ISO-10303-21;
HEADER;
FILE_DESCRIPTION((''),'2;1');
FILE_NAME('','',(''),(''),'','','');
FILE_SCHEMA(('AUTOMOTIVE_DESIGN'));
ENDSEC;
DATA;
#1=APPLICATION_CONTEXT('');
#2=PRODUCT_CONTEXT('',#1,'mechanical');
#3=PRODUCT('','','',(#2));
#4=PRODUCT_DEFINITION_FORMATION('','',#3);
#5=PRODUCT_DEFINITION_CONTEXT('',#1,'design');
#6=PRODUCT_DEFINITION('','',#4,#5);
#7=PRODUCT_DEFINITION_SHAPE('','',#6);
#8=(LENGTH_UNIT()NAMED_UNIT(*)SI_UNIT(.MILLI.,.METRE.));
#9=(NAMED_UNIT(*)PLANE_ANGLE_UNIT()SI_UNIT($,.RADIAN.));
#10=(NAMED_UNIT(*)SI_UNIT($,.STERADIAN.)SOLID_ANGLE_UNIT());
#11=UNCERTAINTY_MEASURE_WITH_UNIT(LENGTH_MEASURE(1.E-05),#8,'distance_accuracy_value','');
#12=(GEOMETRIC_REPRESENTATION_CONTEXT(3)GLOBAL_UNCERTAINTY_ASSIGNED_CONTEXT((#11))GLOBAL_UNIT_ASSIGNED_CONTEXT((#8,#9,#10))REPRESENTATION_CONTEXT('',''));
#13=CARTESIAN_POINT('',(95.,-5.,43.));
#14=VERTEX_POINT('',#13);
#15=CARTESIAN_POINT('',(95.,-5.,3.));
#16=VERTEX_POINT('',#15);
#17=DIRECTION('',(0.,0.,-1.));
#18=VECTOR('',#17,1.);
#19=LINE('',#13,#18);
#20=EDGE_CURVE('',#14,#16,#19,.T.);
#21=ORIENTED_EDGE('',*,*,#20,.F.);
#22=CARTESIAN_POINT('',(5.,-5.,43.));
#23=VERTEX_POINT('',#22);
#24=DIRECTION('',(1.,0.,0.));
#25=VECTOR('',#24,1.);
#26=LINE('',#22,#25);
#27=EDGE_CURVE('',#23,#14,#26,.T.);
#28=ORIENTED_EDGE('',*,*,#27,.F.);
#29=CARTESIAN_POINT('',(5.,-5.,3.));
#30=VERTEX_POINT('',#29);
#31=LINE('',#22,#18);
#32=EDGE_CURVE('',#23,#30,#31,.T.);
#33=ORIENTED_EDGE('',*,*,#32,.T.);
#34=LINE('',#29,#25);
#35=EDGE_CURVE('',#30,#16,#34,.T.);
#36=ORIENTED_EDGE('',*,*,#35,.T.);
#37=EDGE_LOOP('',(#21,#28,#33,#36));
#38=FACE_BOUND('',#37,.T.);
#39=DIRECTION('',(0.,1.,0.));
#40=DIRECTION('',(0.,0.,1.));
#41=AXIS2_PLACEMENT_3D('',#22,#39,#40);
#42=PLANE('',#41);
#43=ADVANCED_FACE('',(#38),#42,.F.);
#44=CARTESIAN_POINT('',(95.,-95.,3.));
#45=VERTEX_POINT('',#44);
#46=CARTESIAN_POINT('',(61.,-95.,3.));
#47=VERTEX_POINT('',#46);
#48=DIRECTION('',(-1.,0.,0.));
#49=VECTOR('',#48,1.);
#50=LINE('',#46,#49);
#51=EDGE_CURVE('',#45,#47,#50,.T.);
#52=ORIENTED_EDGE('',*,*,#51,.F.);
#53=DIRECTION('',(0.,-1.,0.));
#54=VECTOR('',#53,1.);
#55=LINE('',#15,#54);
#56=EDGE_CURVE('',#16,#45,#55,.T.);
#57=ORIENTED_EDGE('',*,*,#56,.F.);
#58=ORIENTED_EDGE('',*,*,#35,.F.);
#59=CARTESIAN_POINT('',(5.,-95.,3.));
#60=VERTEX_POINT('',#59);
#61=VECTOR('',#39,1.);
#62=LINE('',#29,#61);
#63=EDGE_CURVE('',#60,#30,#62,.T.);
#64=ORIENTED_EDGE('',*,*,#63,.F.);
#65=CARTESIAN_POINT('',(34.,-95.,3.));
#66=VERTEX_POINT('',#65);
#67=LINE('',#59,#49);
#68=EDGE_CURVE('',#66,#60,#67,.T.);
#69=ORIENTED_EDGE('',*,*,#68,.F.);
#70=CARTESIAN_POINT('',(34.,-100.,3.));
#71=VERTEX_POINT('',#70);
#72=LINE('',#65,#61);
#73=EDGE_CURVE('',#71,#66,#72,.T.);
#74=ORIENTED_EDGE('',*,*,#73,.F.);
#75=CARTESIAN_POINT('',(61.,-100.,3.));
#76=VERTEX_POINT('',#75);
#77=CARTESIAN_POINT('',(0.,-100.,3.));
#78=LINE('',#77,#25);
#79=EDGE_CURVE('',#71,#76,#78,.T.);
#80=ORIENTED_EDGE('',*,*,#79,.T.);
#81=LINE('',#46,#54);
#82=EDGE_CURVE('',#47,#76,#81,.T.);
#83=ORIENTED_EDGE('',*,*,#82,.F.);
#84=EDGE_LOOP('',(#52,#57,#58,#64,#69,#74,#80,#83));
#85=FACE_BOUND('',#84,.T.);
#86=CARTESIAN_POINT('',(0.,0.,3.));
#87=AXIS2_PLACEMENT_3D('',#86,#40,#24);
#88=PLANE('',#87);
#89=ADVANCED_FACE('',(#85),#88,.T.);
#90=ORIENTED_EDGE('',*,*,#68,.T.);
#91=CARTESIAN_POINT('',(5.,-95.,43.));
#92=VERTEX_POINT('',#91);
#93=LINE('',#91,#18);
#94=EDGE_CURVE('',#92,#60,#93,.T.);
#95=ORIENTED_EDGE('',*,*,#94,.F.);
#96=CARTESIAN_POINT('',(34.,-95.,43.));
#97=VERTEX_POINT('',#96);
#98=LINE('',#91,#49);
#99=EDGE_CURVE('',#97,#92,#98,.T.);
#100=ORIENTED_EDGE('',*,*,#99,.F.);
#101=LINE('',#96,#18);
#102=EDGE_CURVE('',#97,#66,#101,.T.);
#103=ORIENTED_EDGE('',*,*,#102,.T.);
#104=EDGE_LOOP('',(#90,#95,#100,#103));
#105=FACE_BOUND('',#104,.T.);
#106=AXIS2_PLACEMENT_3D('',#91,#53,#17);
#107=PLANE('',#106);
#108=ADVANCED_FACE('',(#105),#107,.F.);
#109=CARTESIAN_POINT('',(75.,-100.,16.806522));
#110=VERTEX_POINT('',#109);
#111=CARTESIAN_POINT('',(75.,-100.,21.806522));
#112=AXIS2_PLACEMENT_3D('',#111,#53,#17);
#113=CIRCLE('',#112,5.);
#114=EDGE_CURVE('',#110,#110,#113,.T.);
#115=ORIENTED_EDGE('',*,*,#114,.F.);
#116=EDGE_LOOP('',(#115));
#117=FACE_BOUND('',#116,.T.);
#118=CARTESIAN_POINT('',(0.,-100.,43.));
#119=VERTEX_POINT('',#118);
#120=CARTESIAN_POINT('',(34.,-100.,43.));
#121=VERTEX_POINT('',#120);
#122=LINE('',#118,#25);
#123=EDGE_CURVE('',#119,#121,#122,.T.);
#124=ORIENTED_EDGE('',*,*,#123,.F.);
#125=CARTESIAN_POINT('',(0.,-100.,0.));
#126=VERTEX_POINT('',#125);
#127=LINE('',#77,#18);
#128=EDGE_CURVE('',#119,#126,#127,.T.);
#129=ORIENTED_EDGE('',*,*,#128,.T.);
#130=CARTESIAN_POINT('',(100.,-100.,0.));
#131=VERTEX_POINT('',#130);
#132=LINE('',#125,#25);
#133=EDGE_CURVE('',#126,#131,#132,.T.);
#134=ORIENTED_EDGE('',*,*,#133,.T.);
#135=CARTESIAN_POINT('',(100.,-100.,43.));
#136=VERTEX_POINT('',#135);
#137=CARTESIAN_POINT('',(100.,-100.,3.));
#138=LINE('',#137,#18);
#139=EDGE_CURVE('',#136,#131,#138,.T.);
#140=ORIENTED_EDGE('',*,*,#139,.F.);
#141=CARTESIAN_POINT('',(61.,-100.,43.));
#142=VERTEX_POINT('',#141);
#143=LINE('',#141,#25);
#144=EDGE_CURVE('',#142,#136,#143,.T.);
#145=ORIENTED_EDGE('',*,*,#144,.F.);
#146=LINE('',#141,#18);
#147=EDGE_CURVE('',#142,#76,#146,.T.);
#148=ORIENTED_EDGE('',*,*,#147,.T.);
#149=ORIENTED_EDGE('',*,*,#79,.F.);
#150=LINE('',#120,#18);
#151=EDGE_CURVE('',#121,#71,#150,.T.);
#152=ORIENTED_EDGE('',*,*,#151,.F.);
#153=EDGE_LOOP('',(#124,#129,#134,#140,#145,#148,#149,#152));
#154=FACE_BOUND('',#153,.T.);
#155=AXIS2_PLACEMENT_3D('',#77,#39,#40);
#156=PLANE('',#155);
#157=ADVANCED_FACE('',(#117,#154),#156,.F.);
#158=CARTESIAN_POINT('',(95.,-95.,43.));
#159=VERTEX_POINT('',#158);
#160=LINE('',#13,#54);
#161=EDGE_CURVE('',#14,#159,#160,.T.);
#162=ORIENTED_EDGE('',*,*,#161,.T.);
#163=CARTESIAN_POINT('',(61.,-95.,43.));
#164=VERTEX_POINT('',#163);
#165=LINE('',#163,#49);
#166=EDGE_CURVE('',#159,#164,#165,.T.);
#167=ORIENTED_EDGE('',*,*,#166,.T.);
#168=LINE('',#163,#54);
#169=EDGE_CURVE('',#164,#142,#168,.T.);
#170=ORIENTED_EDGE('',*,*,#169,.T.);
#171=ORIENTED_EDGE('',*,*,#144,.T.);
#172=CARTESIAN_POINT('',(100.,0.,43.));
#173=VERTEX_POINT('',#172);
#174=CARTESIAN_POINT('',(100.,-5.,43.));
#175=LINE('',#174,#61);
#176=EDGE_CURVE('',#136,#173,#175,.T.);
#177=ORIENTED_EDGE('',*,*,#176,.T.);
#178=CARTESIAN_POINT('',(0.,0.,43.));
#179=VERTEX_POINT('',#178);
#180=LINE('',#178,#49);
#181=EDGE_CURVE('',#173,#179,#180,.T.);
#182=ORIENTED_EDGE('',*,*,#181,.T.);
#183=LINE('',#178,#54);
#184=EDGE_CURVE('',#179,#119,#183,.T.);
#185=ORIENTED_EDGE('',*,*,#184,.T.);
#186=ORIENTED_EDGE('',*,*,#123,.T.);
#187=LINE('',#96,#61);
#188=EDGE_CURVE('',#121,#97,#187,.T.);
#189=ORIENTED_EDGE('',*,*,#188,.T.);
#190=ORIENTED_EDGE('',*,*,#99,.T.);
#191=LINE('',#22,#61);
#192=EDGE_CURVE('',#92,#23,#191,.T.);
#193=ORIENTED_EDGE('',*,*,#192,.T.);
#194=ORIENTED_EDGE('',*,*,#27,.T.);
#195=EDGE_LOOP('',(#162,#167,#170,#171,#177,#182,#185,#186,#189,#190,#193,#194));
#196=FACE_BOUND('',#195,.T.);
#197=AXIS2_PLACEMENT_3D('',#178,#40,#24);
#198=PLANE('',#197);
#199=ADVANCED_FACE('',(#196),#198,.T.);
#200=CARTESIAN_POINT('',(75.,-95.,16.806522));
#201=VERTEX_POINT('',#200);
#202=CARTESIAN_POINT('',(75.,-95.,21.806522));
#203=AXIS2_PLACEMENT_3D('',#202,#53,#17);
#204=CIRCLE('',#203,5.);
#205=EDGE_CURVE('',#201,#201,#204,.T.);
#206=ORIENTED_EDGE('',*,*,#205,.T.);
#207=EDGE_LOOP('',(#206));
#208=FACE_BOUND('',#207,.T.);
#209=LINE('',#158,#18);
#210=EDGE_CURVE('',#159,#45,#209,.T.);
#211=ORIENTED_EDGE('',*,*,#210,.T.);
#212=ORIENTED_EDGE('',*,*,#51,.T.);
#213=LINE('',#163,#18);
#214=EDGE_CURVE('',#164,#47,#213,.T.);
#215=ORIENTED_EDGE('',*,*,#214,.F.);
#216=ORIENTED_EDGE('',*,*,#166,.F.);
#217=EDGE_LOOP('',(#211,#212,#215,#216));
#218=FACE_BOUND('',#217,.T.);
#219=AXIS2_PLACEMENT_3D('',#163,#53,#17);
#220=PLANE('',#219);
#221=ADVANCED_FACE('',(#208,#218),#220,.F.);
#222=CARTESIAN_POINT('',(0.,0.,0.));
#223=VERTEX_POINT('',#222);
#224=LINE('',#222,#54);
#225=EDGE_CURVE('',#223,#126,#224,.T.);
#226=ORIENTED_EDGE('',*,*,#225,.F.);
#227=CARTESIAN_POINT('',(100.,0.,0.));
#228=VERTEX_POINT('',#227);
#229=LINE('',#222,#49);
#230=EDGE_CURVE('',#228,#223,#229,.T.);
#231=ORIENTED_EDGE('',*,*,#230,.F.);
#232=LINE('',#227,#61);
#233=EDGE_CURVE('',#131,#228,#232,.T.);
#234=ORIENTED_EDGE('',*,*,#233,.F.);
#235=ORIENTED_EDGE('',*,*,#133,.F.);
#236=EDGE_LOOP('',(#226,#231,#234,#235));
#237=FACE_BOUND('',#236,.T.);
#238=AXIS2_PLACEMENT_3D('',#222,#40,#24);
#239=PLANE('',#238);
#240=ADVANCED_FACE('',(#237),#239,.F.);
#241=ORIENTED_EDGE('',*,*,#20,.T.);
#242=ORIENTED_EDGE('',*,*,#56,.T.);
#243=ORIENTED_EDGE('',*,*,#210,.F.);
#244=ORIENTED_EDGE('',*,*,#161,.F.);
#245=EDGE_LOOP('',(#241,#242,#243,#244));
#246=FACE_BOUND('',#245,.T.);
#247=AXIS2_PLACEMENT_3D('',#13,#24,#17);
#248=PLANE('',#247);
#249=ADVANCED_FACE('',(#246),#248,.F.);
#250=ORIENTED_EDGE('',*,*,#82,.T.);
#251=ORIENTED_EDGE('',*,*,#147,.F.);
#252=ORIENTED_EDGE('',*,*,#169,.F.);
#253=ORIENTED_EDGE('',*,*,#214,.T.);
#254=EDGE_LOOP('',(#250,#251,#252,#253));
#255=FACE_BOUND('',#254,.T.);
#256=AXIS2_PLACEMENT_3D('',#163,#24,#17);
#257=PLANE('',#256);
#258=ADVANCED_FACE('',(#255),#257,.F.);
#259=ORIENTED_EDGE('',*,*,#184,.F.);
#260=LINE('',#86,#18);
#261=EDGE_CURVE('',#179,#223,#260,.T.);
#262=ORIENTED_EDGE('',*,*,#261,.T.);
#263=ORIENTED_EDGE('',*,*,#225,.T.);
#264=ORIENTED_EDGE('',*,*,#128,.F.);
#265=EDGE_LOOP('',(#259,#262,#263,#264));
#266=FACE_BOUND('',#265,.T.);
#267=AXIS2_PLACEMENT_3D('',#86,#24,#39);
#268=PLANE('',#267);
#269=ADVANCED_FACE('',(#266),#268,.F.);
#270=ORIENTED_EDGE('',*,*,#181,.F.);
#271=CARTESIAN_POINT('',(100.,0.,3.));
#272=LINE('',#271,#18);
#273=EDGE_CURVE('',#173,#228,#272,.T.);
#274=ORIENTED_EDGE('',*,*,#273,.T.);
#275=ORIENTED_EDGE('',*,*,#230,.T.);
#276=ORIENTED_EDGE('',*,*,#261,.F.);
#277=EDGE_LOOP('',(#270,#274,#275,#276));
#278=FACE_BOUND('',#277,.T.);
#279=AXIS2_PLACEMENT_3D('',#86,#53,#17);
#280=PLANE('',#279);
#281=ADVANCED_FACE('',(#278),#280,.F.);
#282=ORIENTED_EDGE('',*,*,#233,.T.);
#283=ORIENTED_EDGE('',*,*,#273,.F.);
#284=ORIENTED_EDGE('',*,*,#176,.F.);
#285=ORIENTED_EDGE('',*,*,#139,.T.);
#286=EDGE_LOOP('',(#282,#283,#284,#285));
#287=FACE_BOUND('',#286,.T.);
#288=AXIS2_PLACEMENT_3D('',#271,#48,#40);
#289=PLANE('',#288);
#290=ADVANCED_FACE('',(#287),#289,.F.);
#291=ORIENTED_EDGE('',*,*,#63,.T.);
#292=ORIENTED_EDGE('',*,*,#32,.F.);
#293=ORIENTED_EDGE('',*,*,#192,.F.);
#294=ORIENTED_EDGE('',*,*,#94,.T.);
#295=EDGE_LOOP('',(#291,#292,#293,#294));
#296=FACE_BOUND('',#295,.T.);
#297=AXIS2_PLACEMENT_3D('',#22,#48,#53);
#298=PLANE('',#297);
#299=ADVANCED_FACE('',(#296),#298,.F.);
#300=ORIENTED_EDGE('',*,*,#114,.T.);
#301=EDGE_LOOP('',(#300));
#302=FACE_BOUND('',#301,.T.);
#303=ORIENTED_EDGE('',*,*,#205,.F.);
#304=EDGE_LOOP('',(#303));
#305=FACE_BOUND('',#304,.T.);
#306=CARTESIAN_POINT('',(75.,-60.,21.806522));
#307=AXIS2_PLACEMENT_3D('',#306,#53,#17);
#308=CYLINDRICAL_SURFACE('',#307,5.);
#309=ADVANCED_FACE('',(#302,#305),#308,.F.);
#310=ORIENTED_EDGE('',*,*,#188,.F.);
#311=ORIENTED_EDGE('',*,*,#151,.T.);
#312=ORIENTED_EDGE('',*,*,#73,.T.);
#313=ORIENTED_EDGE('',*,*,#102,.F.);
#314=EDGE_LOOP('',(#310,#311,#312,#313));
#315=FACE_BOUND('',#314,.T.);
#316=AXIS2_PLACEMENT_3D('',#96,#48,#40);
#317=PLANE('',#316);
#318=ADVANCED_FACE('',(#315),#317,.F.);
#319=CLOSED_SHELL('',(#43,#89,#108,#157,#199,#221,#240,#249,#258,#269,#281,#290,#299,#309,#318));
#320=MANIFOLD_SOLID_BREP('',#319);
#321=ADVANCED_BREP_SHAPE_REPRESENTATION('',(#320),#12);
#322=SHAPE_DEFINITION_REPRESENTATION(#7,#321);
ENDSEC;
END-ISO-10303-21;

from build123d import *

# Parameters (mm, degrees)
SKETCH1_W           = 100
SKETCH1_H           = 100
BOSS_EXTRUDE1_DEPTH = 3
BOSS_EXTRUDE2_DEPTH = 40
SKETCH3_R           = 5
CUT_EXTRUDE1_DEPTH  = 40


with BuildPart() as part:
    # Sketch1 → Boss-Extrude1 (new body)
    with BuildSketch(Plane.XY):
        with Locations((50, -50)):
            Rectangle(SKETCH1_W, SKETCH1_H)
    extrude(amount=BOSS_EXTRUDE1_DEPTH)

    # Sketch2 → Boss-Extrude2 (add)
    with BuildSketch(Plane.XY.offset(3)):
        Polygon((0, 0), (100, 0), (100, -5), (100, -100), (61, -100), (61, -95), (95, -95), (95, -5), (5, -5), (5, -95), (34, -95), (34, -100), (0, -100), (0, -6.075944417), align=None)
    extrude(amount=BOSS_EXTRUDE2_DEPTH)

    # Sketch3 → Cut-Extrude1 (cut)
    with BuildSketch(Plane.XZ.offset(100)):
        with Locations((75, 21.806521963)):
            Circle(SKETCH3_R)
    extrude(amount=-CUT_EXTRUDE1_DEPTH, mode=Mode.SUBTRACT)


solid = part.part
